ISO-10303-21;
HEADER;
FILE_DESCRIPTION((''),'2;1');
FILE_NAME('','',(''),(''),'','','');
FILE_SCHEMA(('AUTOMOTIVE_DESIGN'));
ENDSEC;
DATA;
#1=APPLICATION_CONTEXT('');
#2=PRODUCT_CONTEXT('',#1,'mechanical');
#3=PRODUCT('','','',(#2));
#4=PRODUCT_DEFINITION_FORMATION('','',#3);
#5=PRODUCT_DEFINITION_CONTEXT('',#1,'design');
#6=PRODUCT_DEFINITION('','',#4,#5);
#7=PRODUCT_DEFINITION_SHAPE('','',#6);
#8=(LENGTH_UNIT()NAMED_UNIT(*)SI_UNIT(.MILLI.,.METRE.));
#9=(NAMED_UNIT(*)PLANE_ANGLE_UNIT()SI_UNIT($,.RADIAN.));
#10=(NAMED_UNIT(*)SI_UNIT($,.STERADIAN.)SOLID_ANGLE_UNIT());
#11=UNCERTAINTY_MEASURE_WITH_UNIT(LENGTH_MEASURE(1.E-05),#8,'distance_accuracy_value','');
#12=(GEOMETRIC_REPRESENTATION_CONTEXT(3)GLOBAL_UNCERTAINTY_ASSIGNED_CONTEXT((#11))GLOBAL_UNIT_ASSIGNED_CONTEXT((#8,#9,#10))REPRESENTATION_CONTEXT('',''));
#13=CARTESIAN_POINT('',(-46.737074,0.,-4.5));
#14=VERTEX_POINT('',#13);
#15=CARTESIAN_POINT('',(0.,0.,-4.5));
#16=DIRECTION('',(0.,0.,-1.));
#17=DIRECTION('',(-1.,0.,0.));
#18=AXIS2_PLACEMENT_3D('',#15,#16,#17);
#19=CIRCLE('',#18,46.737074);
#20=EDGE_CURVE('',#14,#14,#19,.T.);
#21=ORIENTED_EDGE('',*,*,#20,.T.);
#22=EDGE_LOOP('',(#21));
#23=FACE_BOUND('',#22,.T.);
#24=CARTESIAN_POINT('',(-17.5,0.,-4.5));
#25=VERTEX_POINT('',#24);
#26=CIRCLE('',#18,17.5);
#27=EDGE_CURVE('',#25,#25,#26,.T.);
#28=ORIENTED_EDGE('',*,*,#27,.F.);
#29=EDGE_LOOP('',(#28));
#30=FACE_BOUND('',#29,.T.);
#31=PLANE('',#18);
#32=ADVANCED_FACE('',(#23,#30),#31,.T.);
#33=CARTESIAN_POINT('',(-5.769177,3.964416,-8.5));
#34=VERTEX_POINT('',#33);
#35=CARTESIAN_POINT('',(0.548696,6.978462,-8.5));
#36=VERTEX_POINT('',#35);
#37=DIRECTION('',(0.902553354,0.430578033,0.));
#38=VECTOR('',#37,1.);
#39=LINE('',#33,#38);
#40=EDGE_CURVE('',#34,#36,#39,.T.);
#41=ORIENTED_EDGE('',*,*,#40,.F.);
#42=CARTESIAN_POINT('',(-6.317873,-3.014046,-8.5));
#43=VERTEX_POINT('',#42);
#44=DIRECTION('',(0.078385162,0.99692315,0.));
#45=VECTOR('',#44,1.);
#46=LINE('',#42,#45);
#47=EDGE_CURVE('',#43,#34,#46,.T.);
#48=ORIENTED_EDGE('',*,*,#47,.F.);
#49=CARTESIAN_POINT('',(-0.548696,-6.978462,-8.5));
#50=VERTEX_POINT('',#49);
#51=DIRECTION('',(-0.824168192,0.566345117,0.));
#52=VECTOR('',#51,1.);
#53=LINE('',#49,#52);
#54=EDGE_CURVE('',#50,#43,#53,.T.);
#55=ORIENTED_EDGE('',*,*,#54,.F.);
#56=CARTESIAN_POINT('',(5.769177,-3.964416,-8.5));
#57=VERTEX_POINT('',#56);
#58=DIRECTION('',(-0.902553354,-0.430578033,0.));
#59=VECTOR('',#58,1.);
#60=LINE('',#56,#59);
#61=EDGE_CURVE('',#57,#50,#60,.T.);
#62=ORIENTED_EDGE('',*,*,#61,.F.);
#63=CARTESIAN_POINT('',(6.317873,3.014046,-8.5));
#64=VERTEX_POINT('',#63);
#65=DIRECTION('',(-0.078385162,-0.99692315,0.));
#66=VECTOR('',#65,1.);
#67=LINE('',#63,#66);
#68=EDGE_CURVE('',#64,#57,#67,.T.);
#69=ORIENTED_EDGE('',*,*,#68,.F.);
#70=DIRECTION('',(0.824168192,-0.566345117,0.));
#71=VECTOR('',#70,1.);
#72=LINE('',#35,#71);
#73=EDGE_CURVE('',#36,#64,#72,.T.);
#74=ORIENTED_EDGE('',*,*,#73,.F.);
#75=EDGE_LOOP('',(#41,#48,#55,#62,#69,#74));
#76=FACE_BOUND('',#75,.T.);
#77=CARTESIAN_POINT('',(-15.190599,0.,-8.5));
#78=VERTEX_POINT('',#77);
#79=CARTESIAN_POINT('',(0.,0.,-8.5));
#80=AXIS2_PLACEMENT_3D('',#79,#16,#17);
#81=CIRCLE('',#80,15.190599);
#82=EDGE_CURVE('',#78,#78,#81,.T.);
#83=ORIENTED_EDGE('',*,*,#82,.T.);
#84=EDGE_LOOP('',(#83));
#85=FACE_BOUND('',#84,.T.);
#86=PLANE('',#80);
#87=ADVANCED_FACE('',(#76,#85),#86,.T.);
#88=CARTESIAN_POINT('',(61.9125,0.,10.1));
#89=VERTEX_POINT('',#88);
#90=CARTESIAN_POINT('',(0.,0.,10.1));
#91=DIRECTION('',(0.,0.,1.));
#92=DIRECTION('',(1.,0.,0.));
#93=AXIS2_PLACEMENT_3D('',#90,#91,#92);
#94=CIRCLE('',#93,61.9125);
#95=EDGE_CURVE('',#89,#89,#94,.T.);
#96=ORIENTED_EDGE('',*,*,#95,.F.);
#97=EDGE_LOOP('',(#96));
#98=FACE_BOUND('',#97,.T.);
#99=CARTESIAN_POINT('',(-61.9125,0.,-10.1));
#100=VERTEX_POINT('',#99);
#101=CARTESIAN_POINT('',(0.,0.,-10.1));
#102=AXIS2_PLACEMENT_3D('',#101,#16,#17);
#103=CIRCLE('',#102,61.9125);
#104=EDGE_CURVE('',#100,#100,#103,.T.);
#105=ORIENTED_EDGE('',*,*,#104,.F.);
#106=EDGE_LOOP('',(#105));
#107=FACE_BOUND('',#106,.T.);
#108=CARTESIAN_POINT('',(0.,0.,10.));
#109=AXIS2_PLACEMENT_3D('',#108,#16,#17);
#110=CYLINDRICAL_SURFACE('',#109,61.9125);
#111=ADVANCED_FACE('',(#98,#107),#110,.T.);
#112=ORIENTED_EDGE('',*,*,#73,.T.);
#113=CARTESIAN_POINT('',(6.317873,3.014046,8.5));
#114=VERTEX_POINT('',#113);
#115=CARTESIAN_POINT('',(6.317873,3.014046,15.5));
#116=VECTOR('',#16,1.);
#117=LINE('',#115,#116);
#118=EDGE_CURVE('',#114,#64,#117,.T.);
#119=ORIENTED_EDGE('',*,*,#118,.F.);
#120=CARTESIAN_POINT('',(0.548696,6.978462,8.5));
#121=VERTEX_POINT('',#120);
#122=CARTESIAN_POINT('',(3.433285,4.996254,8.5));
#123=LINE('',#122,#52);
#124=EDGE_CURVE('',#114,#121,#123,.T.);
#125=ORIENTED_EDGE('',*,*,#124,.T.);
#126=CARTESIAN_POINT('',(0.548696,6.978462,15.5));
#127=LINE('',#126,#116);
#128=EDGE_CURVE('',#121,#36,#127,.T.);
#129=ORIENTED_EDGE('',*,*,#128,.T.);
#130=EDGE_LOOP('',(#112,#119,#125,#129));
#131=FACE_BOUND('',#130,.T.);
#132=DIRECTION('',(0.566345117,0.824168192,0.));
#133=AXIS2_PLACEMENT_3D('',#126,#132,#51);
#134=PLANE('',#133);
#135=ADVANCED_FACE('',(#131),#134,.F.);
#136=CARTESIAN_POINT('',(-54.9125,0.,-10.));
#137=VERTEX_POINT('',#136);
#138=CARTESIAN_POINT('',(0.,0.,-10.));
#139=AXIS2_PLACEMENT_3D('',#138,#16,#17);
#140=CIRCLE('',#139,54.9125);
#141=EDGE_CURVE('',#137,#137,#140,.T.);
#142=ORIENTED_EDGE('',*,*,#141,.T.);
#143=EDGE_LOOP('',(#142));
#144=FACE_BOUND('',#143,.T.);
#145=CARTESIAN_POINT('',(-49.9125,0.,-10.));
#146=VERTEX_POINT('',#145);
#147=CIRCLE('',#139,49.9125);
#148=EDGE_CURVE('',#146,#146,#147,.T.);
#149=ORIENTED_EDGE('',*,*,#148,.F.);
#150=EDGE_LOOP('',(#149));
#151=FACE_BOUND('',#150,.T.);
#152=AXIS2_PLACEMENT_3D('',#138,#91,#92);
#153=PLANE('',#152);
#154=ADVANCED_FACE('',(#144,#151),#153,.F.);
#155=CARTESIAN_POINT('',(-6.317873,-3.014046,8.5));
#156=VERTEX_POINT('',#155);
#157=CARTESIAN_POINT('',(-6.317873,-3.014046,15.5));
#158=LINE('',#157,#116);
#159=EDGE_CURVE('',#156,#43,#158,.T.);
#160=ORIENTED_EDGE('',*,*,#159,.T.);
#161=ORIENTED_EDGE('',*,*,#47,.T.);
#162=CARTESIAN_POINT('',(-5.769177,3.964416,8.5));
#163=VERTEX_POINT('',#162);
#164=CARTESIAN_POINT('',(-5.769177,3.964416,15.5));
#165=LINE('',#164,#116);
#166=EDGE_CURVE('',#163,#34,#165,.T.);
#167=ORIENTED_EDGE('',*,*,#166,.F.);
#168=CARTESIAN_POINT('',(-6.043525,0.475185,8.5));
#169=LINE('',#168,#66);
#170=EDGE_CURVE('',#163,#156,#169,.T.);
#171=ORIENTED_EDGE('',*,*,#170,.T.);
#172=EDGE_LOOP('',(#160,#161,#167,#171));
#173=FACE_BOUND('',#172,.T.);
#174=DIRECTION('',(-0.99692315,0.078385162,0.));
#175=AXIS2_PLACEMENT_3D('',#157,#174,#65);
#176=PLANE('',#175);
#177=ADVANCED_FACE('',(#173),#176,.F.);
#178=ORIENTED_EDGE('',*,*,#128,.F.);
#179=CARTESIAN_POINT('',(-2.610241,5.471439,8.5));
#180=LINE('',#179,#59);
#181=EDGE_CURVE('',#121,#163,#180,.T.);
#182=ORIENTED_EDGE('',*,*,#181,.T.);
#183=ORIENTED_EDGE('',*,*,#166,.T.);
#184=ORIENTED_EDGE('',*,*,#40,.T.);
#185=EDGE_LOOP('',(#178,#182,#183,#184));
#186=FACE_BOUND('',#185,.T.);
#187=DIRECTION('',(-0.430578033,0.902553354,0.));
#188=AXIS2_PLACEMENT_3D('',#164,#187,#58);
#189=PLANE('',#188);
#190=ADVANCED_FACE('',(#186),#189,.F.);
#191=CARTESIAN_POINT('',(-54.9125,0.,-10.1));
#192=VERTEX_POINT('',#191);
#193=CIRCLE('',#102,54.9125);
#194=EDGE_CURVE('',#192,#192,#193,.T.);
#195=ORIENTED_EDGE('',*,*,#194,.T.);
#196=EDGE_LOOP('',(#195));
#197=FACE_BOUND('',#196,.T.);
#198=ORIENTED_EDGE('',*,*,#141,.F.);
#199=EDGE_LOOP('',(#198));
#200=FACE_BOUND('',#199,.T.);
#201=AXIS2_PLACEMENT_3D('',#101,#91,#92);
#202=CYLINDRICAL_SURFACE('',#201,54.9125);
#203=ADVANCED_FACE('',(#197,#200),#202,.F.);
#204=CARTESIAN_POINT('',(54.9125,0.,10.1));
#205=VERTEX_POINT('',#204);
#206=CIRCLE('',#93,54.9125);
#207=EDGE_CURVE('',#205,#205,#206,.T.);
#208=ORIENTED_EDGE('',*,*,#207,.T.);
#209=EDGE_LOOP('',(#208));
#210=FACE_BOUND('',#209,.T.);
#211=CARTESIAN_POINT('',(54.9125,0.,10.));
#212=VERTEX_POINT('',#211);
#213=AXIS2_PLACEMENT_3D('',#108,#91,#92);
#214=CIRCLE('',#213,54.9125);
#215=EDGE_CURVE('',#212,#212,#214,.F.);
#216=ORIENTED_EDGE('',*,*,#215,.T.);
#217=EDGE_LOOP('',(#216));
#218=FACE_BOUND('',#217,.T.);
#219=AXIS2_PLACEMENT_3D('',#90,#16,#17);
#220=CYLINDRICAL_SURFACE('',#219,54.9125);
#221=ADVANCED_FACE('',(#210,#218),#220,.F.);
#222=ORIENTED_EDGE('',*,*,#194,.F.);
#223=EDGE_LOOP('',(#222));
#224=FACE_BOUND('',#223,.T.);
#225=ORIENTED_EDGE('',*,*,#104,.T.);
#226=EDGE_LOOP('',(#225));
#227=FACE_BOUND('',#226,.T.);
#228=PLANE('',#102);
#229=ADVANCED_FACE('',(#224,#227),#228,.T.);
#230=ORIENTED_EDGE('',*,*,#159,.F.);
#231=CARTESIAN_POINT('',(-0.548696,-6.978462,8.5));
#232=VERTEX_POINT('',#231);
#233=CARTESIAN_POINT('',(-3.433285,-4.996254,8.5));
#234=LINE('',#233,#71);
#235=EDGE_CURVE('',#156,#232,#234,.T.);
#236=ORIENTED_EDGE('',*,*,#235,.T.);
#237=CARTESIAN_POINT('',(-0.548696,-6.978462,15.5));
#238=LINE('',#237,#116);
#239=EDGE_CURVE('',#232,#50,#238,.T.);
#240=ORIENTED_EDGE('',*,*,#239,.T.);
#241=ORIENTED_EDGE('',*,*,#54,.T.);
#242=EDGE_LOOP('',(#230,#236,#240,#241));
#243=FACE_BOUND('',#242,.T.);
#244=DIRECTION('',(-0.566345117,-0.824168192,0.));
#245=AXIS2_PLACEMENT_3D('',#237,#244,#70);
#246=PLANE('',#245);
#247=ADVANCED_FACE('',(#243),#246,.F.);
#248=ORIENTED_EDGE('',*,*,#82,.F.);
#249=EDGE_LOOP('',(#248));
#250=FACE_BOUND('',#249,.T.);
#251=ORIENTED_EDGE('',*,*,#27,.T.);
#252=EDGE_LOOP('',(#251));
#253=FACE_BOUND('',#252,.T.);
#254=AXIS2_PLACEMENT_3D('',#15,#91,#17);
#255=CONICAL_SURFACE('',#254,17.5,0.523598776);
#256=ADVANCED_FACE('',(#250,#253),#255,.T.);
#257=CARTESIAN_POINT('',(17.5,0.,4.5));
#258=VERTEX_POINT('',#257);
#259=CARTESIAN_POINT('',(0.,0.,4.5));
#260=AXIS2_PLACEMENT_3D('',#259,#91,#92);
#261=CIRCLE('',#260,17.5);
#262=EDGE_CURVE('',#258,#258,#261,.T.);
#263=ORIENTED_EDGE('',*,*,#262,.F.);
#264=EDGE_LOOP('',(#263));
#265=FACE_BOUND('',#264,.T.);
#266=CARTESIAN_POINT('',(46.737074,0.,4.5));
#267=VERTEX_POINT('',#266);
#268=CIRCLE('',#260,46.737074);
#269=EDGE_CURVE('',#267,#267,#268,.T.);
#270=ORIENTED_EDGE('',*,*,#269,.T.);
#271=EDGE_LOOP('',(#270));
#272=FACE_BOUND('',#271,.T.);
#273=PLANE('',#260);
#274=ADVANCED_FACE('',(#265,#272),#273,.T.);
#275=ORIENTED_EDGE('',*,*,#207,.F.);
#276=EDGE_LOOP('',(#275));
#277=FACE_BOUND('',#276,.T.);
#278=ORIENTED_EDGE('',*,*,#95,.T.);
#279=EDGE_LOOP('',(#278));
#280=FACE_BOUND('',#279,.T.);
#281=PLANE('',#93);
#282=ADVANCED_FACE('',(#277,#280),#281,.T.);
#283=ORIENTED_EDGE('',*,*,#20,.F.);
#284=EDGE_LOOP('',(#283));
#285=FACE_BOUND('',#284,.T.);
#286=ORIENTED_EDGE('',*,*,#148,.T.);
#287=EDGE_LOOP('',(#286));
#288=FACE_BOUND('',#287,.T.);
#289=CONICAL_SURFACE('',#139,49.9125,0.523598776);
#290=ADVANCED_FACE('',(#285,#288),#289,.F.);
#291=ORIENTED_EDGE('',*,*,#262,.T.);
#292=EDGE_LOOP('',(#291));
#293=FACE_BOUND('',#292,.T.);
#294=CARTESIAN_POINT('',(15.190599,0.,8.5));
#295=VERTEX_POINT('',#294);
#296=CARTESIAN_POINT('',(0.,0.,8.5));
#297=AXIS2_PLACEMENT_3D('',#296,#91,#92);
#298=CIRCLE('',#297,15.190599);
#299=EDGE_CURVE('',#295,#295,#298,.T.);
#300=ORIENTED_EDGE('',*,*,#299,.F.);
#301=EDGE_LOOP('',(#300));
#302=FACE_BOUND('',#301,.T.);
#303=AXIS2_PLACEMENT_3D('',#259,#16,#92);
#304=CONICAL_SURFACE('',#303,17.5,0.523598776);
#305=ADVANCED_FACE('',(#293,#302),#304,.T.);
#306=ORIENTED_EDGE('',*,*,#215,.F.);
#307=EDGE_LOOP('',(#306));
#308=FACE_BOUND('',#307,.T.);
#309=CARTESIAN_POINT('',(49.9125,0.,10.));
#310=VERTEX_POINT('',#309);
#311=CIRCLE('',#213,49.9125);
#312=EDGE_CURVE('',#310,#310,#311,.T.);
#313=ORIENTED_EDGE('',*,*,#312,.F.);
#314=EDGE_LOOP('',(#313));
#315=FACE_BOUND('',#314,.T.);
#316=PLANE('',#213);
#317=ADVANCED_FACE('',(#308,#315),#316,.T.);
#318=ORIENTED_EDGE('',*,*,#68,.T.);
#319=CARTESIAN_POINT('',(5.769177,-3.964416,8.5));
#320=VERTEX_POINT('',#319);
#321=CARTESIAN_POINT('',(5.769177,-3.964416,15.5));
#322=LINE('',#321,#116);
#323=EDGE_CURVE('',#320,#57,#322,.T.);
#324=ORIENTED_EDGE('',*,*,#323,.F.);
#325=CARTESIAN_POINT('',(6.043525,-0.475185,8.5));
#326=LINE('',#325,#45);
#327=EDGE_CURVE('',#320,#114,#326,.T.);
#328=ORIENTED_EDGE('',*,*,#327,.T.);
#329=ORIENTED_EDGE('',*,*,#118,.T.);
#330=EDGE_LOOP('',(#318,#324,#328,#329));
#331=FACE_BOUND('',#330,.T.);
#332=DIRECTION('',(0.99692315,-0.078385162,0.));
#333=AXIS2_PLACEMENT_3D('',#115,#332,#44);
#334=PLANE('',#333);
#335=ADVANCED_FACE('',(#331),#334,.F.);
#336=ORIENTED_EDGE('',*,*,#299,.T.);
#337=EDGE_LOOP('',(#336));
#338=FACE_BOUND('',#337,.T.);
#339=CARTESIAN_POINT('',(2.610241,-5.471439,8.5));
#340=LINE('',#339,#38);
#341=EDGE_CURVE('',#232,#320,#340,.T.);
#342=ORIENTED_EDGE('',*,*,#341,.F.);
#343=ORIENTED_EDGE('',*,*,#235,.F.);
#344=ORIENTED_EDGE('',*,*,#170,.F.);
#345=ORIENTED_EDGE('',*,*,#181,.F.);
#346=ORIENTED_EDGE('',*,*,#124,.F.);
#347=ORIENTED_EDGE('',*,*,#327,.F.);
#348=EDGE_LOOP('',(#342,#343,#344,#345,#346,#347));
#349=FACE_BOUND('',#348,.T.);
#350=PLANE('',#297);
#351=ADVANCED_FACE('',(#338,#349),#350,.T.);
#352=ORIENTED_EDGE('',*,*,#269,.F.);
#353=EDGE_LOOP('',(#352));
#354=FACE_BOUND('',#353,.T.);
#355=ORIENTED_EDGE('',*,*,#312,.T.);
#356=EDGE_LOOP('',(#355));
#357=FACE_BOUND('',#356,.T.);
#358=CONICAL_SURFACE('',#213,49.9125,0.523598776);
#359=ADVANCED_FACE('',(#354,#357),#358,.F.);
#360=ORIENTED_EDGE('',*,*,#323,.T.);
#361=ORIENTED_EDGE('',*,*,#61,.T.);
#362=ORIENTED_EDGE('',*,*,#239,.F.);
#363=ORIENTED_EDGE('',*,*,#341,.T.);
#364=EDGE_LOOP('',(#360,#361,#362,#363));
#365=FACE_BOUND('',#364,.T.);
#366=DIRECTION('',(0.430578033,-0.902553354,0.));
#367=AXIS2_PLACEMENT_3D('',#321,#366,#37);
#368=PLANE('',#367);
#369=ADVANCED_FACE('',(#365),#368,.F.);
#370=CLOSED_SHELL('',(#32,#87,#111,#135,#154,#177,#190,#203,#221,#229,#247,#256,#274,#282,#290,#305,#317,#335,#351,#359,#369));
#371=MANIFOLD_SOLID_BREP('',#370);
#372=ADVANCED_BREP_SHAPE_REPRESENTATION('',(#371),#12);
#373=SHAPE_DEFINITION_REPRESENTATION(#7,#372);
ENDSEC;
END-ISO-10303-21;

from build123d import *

# Parameters (mm, degrees)
SKETCH1_R           = 61.9125
BOSS_EXTRUDE1_DEPTH = 10
SKETCH4_R           = 49.9125
CUT_EXTRUDE1_DEPTH  = 5.5
CUT_EXTRUDE1_TAPER  = 30
SKETCH5_R           = 49.9125
CUT_EXTRUDE2_DEPTH  = 5.5
CUT_EXTRUDE2_TAPER  = 30
SKETCH6_R           = 17.5
BOSS_EXTRUDE2_DEPTH = 4
BOSS_EXTRUDE2_TAPER = 30
SKETCH9_R           = 17.5
BOSS_EXTRUDE3_DEPTH = 4
BOSS_EXTRUDE3_TAPER = 30
CUT_EXTRUDE4_DEPTH  = 24
SKETCH12_R          = 61.9125
SKETCH12_R_2        = 54.9125
BOSS_EXTRUDE4_DEPTH = 0.1
SKETCH14_R          = 61.9125
SKETCH14_R_2        = 54.9125
BOSS_EXTRUDE5_DEPTH = 0.1


with BuildPart() as part:
    # Sketch1 → Boss-Extrude1 (new body, symmetric)
    with BuildSketch(Plane.XY):
        Circle(SKETCH1_R)
    extrude(amount=BOSS_EXTRUDE1_DEPTH, both=True)

    # Sketch4 → Cut-Extrude1 (cut)
    with BuildSketch(Plane.XY.offset(10)):
        Circle(SKETCH4_R)
    extrude(amount=-CUT_EXTRUDE1_DEPTH, taper=CUT_EXTRUDE1_TAPER, mode=Mode.SUBTRACT)

    # Sketch5 → Cut-Extrude2 (cut)
    with BuildSketch(Plane(origin=(0, 0, -10), x_dir=(-1, 0, 0), z_dir=(0, 0, -1))):
        Circle(SKETCH5_R)
    extrude(amount=-CUT_EXTRUDE2_DEPTH, taper=CUT_EXTRUDE2_TAPER, mode=Mode.SUBTRACT)

    # Sketch6 → Boss-Extrude2 (add)
    with BuildSketch(Plane.XY.offset(4.5)):
        Circle(SKETCH6_R)
    extrude(amount=BOSS_EXTRUDE2_DEPTH, taper=BOSS_EXTRUDE2_TAPER)

    # Sketch9 → Boss-Extrude3 (add)
    with BuildSketch(Plane(origin=(0, 0, -4.5), x_dir=(-1, 0, 0), z_dir=(0, 0, -1))):
        Circle(SKETCH9_R)
    extrude(amount=BOSS_EXTRUDE3_DEPTH, taper=BOSS_EXTRUDE3_TAPER)

    # Sketch10 → Cut-Extrude4 (cut)
    with BuildSketch(Plane(origin=(0, 0, -8.5), x_dir=(-1, 0, 0), z_dir=(0, 0, -1))):
        Polygon((6.317873481, -3.014046231), (5.769177344, 3.964415817), (-0.548696137, 6.978462048), (-6.317873481, 3.014046231), (-5.769177344, -3.964415817), (0.548696137, -6.978462048), align=None)
    extrude(amount=-CUT_EXTRUDE4_DEPTH, mode=Mode.SUBTRACT)

    # Sketch12 → Boss-Extrude4 (add)
    with BuildSketch(Plane.XY.offset(10)):
        Circle(SKETCH12_R)
        Circle(SKETCH12_R_2, mode=Mode.SUBTRACT)
    extrude(amount=BOSS_EXTRUDE4_DEPTH)

    # Sketch14 → Boss-Extrude5 (add)
    with BuildSketch(Plane(origin=(0, 0, -10), x_dir=(-1, 0, 0), z_dir=(0, 0, -1))):
        Circle(SKETCH14_R)
        Circle(SKETCH14_R_2, mode=Mode.SUBTRACT)
    extrude(amount=BOSS_EXTRUDE5_DEPTH)


solid = part.part
